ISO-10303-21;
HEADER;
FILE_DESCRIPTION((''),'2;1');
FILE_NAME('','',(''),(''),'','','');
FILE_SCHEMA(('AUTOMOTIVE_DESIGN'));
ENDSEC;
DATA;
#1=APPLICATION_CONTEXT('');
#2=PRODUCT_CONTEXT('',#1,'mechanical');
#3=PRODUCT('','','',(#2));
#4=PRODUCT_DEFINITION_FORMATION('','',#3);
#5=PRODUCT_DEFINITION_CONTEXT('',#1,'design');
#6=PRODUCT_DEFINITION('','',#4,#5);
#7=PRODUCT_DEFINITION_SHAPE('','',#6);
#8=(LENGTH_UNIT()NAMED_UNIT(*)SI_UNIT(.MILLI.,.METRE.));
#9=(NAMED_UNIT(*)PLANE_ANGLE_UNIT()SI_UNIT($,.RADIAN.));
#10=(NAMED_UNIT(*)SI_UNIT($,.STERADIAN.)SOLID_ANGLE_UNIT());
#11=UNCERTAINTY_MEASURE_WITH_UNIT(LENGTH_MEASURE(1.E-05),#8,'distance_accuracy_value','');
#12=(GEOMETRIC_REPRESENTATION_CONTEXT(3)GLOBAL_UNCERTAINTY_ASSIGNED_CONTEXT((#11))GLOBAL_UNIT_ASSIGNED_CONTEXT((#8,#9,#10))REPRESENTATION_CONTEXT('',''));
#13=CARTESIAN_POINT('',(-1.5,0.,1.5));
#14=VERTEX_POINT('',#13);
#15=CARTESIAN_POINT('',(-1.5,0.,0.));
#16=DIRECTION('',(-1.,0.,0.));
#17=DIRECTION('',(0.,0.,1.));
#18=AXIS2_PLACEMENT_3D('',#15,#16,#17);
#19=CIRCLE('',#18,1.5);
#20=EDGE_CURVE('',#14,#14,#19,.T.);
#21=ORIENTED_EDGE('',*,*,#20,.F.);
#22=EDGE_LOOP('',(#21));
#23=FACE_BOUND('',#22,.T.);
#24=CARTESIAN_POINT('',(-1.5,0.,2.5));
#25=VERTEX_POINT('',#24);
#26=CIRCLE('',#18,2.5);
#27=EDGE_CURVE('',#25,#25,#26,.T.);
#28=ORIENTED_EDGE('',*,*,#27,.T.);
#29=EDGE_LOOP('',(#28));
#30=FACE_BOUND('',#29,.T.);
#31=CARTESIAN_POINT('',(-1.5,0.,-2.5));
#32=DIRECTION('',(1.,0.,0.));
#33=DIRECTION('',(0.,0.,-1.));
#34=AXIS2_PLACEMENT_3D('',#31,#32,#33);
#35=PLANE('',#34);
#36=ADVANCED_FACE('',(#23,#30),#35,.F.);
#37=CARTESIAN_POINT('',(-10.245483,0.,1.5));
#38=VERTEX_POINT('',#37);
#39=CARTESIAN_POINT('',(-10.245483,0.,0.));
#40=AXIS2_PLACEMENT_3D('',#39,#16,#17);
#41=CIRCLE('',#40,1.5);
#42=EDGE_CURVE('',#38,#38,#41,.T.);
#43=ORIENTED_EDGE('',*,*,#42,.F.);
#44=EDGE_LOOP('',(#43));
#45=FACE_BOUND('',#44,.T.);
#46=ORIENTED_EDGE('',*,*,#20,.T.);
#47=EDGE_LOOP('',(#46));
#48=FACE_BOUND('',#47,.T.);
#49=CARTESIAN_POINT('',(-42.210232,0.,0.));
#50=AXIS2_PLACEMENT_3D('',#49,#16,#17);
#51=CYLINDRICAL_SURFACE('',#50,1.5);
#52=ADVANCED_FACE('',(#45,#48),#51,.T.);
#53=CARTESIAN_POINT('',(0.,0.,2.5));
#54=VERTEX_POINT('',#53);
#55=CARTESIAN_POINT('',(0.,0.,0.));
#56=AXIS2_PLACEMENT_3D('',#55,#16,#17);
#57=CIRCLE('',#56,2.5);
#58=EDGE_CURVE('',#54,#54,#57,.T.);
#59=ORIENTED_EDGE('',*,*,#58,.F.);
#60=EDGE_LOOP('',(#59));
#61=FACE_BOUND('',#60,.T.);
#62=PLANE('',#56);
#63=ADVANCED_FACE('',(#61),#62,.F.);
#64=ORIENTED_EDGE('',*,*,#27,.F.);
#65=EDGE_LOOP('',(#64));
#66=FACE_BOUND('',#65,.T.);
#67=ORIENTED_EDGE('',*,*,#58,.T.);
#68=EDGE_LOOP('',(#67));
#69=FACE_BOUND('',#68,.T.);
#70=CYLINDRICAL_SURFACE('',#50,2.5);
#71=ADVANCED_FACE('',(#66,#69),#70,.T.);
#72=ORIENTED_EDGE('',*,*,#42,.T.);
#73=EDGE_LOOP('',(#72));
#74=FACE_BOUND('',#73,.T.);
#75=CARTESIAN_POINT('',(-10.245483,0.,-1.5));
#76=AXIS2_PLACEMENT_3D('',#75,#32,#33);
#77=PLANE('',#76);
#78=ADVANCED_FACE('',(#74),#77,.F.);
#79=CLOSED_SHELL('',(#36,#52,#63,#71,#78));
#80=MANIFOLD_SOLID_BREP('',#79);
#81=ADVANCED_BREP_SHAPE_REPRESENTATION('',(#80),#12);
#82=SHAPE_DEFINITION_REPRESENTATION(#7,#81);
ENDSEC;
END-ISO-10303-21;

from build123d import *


with BuildPart() as part:
    # Sketch1 → Revolve1 (revolve)
    with BuildSketch(Plane(origin=(0, 0, 0), x_dir=(1, 0, 0), z_dir=(0, 1, 0))):
        Polygon((0, 0), (0, 2.5), (-1.5, 2.5), (-1.5, 1.5), (-10.245483166, 1.5), (-10.245483166, 0), align=None)
    revolve(axis=Axis((-42.210232103, 0, 0), (1, 0, 0)))


solid = part.part
